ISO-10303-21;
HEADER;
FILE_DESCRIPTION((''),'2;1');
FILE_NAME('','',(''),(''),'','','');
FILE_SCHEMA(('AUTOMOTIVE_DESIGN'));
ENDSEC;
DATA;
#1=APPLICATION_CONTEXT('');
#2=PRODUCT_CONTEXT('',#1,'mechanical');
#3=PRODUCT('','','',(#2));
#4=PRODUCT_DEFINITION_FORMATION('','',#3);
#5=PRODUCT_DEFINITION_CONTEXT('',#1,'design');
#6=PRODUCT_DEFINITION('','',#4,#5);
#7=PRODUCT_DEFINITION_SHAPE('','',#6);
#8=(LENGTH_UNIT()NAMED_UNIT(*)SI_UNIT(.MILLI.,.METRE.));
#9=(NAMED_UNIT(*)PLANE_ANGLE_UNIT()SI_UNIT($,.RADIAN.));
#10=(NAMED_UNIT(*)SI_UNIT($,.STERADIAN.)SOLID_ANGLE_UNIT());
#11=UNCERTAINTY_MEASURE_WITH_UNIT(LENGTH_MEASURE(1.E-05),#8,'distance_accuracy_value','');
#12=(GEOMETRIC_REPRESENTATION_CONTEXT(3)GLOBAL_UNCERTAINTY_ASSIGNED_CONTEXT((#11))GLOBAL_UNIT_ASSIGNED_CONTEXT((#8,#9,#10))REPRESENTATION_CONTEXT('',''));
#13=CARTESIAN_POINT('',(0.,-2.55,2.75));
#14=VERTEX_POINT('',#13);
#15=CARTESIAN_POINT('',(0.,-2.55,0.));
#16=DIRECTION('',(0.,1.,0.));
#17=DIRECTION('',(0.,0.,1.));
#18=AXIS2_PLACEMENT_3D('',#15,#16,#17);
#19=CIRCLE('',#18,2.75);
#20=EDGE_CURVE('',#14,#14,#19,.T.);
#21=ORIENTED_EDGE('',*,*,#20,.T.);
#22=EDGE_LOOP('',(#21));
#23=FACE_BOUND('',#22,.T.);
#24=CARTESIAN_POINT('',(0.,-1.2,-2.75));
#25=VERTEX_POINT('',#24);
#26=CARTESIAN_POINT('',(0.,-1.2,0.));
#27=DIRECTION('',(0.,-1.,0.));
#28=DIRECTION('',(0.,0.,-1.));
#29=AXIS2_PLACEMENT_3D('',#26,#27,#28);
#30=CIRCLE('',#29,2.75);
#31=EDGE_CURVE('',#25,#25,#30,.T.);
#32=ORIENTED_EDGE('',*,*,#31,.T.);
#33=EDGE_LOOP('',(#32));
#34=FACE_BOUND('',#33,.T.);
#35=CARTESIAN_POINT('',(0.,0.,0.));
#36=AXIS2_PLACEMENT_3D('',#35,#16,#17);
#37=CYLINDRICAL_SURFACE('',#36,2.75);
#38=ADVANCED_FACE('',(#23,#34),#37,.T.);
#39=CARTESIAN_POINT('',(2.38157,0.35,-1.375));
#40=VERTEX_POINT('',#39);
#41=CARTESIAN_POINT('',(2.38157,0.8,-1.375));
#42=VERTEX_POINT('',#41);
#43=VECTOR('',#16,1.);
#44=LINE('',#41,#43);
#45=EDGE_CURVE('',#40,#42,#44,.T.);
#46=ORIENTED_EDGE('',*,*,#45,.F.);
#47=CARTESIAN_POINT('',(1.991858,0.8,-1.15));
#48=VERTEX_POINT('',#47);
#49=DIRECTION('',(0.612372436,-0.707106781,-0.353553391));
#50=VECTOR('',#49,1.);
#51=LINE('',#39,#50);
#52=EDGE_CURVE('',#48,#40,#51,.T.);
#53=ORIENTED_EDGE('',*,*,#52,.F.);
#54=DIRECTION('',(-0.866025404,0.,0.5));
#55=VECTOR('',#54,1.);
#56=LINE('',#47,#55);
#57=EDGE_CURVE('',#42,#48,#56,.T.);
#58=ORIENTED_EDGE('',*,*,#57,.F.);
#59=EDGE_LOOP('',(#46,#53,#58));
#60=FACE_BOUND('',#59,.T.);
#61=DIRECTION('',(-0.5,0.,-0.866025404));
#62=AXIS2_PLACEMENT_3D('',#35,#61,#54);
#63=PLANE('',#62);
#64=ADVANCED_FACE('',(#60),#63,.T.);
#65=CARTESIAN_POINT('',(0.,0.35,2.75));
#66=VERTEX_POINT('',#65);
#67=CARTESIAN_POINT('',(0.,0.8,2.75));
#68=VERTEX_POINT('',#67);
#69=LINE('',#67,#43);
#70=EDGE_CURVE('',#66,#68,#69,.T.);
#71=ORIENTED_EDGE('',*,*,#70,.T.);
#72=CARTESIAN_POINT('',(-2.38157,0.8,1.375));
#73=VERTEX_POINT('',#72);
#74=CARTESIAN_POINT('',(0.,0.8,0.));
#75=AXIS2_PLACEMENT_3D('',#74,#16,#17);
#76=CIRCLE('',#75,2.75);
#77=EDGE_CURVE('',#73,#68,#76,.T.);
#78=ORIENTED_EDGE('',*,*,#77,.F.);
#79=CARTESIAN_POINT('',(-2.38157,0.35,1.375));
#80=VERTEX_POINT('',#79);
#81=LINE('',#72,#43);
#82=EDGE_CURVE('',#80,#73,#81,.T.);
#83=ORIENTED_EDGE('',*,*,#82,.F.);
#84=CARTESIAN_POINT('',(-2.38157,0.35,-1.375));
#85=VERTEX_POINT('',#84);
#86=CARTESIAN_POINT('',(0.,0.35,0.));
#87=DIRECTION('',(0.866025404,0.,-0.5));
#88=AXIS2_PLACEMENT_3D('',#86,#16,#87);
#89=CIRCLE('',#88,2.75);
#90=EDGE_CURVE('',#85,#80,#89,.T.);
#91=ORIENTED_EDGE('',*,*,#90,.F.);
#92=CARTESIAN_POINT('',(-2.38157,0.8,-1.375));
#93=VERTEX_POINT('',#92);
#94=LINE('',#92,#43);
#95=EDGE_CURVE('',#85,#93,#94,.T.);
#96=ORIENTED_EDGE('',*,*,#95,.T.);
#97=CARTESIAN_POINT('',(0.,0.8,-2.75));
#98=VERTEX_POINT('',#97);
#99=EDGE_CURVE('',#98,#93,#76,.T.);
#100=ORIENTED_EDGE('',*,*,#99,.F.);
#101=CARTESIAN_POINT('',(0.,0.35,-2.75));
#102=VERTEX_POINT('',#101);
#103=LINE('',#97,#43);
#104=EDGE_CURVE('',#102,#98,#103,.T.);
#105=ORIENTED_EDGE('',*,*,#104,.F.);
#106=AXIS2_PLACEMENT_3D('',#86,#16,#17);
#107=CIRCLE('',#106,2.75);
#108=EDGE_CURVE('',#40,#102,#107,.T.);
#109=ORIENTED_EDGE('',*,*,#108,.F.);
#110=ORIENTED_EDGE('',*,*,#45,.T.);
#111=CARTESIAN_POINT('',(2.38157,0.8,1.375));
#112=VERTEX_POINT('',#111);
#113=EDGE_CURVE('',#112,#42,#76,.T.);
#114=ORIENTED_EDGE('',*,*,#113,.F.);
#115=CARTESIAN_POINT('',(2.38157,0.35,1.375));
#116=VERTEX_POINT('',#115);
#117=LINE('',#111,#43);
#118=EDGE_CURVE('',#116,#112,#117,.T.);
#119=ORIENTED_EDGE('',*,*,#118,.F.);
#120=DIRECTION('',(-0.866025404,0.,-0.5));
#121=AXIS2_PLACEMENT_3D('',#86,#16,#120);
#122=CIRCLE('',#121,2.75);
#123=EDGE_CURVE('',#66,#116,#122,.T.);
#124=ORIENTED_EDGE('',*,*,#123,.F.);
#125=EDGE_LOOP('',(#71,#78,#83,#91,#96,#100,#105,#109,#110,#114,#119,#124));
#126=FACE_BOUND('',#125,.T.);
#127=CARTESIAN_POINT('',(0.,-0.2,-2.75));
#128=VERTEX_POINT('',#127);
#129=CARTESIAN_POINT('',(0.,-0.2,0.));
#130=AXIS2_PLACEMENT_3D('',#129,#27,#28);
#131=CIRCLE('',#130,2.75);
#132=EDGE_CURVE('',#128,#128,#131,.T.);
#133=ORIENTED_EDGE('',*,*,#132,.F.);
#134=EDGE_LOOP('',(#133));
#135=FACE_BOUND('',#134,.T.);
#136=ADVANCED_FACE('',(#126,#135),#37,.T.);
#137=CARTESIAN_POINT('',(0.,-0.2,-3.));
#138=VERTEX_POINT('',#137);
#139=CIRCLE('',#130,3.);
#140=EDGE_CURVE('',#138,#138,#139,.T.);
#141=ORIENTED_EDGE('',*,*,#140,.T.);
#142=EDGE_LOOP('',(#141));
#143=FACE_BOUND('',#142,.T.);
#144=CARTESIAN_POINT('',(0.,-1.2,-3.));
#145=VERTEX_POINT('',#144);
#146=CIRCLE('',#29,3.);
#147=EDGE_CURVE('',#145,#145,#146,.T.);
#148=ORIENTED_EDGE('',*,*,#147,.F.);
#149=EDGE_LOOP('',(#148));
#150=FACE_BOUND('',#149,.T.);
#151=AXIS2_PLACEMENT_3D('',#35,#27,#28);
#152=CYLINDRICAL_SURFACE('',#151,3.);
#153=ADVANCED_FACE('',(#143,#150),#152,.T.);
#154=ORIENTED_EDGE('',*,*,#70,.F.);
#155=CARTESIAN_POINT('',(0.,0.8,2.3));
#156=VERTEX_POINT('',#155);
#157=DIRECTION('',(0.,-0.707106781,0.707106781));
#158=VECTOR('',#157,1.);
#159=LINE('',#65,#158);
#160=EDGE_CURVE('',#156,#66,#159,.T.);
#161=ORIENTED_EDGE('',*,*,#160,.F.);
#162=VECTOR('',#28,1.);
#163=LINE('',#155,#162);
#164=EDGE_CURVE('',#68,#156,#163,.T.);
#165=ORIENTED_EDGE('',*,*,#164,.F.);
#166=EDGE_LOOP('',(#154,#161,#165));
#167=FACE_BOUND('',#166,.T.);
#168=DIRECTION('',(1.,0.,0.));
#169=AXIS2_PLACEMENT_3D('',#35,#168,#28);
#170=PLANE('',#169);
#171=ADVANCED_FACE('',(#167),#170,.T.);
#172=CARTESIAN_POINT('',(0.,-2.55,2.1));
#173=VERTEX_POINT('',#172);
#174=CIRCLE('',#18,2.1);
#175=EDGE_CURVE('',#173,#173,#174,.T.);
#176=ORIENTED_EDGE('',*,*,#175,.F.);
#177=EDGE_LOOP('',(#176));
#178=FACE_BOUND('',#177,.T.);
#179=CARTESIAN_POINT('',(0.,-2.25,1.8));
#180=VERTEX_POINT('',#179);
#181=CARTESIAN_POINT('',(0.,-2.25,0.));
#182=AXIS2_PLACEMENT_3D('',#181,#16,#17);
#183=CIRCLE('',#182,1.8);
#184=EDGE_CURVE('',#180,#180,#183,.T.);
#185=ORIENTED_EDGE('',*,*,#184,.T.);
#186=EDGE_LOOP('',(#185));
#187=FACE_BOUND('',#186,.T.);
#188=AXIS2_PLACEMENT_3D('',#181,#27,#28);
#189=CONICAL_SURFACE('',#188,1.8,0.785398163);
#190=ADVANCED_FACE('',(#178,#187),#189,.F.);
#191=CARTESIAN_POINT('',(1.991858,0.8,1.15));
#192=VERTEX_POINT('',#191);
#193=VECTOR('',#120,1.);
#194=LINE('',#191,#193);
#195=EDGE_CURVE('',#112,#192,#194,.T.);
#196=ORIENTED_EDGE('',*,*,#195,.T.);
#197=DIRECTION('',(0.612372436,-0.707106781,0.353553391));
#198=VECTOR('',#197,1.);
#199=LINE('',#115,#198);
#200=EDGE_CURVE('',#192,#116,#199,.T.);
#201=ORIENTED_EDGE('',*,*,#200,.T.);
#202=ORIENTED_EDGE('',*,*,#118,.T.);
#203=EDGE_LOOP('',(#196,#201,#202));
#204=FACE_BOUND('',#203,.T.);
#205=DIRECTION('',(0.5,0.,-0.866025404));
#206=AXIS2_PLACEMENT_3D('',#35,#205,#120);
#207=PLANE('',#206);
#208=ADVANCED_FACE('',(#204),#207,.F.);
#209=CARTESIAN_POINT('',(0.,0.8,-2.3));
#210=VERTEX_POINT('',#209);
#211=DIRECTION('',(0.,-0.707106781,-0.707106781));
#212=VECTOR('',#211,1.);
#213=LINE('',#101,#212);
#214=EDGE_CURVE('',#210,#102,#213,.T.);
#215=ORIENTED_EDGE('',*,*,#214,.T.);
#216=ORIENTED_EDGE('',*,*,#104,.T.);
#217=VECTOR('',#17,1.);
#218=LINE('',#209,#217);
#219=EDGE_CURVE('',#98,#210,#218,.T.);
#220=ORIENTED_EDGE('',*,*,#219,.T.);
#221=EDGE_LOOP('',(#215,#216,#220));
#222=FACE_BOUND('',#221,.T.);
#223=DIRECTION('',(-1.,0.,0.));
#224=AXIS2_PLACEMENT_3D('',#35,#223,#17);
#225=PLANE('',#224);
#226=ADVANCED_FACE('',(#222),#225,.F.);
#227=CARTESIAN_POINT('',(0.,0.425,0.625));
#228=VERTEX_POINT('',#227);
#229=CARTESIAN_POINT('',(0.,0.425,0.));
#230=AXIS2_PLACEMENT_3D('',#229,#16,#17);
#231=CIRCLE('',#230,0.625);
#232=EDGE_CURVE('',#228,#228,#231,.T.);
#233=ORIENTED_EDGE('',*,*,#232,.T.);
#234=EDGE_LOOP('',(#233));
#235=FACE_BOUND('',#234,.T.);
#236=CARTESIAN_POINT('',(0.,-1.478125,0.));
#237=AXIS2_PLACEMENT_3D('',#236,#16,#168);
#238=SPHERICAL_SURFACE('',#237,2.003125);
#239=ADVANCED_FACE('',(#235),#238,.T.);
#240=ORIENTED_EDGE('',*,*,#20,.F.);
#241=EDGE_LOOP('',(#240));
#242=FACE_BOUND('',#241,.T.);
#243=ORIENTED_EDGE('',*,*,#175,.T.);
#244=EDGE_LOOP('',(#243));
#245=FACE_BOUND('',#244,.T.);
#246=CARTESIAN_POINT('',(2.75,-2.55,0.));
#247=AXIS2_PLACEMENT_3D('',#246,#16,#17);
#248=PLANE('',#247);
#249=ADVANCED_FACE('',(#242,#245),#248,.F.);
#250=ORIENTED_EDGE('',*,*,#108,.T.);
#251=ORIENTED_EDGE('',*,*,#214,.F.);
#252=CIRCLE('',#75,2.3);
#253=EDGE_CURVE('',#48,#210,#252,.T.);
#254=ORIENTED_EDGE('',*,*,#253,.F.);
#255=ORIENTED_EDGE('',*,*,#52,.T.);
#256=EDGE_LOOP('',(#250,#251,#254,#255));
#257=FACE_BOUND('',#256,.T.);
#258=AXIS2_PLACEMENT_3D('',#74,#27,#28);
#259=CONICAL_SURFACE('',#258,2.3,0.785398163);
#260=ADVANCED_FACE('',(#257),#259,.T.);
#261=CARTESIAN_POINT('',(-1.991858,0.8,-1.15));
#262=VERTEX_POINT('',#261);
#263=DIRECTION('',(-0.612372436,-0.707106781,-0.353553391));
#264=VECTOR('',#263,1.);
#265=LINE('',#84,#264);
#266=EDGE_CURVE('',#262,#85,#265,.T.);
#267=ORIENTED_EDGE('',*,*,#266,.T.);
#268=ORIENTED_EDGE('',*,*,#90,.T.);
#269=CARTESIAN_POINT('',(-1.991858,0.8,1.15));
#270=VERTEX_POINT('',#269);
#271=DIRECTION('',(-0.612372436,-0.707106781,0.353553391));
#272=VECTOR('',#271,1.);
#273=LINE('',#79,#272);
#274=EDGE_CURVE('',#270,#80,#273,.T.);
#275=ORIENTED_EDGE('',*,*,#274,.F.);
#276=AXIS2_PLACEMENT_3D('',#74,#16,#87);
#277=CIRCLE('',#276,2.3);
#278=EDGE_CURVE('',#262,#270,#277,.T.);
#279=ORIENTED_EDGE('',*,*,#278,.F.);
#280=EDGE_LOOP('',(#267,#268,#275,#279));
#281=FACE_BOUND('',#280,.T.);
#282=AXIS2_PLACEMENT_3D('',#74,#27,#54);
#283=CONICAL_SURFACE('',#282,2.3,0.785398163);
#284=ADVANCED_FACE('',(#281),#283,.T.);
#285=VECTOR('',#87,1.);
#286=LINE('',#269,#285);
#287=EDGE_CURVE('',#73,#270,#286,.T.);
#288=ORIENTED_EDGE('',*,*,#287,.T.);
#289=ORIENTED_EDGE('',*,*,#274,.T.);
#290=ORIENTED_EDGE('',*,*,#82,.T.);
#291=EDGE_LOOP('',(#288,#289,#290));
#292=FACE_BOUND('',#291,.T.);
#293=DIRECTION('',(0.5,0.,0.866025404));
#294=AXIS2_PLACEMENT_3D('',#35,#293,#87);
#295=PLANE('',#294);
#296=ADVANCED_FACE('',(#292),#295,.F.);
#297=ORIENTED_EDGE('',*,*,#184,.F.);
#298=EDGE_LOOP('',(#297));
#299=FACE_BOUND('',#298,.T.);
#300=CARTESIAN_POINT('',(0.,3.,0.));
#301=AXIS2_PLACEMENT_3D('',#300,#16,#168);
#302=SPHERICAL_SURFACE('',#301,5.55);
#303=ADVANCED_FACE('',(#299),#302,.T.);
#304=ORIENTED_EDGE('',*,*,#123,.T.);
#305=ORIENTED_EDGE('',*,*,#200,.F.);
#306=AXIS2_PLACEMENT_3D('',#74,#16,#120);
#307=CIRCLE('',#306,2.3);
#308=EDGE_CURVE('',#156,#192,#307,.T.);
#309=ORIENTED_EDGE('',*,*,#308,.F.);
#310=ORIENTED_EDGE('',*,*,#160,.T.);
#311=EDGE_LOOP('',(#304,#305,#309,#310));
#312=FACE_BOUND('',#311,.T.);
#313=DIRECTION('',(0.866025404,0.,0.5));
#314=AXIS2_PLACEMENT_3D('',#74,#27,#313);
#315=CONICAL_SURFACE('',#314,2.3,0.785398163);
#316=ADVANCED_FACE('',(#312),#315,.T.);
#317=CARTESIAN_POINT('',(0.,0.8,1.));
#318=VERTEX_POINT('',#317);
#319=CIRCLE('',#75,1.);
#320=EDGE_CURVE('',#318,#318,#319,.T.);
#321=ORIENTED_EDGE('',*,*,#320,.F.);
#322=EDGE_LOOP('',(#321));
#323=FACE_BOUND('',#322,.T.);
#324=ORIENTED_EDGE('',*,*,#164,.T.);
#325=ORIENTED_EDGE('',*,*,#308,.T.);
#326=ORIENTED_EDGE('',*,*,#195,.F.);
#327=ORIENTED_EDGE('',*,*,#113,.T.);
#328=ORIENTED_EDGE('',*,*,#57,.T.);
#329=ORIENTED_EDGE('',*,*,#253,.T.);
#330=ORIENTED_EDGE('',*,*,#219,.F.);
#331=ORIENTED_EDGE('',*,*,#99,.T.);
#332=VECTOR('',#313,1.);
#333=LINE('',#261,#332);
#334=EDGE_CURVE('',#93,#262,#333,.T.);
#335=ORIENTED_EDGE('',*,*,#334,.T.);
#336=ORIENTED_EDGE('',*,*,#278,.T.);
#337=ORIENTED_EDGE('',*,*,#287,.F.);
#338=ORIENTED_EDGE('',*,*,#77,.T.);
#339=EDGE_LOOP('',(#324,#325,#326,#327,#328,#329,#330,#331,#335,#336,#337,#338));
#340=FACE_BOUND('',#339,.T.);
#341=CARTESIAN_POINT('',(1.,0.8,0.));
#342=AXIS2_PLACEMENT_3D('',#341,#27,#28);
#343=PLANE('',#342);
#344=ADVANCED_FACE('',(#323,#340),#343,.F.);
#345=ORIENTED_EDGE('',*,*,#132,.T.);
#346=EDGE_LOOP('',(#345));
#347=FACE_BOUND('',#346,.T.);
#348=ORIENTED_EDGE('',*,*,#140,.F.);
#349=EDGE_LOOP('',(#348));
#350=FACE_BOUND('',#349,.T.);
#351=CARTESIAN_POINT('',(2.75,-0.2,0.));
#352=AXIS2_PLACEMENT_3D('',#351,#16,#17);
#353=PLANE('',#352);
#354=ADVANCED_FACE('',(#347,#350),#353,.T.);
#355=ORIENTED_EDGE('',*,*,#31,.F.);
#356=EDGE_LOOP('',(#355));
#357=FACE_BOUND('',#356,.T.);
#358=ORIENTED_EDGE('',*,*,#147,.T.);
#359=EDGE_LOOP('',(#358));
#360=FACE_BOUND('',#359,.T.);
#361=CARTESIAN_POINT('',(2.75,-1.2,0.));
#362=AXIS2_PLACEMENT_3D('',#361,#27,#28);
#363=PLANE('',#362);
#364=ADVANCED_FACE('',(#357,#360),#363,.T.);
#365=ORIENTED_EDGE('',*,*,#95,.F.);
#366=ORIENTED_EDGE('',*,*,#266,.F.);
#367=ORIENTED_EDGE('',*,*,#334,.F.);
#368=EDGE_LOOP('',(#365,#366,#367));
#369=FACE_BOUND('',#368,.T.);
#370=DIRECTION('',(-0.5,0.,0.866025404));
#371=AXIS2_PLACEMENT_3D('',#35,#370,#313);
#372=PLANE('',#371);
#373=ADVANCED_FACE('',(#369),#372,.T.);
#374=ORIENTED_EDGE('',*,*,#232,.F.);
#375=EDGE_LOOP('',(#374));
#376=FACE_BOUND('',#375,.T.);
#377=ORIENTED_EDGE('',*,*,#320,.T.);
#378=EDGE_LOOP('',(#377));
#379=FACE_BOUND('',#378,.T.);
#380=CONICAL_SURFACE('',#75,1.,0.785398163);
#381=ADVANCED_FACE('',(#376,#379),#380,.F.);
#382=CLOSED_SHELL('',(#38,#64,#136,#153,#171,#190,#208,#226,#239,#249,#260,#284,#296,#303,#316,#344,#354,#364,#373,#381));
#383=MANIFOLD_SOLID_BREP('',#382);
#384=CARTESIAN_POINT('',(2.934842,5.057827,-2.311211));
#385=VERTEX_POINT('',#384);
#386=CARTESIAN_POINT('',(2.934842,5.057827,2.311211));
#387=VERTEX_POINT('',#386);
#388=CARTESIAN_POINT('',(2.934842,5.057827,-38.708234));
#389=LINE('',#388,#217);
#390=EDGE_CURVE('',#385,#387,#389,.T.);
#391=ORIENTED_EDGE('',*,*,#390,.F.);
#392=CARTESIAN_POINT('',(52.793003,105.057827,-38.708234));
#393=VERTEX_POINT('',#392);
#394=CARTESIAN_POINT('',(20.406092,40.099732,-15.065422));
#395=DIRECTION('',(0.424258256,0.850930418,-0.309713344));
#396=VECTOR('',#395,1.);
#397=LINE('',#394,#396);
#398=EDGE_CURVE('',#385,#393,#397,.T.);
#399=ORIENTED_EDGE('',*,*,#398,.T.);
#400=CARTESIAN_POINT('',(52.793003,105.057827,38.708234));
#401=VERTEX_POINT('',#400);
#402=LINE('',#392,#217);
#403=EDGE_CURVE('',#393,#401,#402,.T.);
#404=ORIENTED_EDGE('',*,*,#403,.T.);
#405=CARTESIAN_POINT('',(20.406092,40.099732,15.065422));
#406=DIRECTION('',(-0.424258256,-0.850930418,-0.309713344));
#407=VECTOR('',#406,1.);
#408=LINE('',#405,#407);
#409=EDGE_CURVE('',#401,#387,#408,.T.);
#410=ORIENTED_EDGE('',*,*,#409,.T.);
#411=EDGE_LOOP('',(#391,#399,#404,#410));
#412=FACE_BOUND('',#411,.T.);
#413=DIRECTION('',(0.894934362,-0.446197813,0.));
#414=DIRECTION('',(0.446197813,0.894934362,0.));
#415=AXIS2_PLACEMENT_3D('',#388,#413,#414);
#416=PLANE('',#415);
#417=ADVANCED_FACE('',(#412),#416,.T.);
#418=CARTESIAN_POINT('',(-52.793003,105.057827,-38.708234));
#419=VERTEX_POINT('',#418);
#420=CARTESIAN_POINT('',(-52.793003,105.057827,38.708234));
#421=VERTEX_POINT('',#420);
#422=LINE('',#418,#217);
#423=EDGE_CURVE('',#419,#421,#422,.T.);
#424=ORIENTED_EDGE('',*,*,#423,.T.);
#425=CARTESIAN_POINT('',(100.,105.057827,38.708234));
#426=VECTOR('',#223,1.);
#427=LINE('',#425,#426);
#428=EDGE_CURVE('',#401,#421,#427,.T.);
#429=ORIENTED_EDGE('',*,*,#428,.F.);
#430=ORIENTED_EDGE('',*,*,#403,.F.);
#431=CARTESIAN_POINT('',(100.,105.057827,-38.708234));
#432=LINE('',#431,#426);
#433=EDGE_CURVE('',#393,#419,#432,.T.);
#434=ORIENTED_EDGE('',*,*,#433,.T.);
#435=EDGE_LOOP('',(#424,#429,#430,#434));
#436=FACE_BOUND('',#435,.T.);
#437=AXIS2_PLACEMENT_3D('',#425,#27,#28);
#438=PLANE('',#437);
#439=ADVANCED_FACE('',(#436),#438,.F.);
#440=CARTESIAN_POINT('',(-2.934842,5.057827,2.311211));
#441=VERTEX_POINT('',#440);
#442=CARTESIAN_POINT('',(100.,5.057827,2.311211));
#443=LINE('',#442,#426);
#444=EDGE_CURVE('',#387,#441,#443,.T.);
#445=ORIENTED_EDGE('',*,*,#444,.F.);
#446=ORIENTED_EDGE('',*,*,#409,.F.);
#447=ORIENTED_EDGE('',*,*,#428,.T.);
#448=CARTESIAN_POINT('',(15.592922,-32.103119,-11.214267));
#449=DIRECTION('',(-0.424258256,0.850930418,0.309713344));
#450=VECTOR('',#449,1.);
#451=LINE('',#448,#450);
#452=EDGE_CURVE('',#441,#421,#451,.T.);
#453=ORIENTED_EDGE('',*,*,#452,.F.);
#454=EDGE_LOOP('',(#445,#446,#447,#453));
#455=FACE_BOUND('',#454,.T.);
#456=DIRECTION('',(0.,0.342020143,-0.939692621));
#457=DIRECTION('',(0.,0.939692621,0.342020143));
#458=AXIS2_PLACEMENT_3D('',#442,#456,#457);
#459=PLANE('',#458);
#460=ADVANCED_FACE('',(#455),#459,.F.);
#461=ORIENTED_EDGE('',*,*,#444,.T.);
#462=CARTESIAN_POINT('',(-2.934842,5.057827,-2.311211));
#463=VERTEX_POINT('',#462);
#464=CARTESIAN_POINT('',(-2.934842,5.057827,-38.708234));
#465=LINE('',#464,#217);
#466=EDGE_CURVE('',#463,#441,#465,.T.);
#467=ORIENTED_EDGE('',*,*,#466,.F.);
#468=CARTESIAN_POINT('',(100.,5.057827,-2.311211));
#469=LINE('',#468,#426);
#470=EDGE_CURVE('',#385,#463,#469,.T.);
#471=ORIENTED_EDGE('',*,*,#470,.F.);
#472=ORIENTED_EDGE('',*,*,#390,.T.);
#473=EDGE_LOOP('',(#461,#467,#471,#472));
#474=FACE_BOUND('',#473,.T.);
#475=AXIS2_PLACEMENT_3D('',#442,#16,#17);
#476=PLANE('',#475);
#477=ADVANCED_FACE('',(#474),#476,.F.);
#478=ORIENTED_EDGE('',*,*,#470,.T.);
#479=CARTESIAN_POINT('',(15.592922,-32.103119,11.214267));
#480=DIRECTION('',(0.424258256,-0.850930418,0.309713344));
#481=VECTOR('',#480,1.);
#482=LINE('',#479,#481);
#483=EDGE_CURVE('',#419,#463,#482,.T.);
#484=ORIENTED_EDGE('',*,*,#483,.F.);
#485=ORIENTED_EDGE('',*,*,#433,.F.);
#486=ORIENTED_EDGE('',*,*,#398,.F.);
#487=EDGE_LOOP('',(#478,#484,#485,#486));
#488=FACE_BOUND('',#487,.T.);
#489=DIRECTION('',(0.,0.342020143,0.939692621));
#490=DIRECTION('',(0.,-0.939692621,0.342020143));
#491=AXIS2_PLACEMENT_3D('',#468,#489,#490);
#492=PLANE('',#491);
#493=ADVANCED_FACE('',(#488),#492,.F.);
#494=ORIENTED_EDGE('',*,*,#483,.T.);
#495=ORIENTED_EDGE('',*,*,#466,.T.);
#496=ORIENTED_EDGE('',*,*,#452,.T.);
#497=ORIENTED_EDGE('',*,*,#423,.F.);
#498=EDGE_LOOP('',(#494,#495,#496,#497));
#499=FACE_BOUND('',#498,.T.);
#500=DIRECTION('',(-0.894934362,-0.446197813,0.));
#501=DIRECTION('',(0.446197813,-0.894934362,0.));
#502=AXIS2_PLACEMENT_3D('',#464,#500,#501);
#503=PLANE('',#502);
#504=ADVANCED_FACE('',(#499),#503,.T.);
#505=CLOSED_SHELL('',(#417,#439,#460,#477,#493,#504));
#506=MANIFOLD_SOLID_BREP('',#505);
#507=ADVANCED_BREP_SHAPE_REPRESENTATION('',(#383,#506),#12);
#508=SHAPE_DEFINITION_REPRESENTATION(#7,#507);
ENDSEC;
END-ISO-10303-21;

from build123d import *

# Parameters (mm, degrees)
SKIZZE4_W             = 0.25
SKIZZE4_H             = 1
TOOLFACE_ANGLE        = 60
KREISMUSTER1_COUNT    = 3
FOV_3_6MM_F_2_9_DEPTH = 100
SKIZZE8_OUTSIDE_W     = 249.988
SKIZZE8_OUTSIDE_H     = 157.596
SKIZZE8_OUTSIDE_R     = 5
FOV2_DEPTH            = 39.708234414
FOV2_DEPTH_BACK       = 39.708234414


with BuildPart() as part:
    # Skizze3 → Body (revolve)
    with BuildSketch(Plane.XY):
        with BuildLine():
            Line((1, 0.8), (2.75, 0.8))
            Line((2.75, 0.8), (2.75, -2.55))
            Line((2.75, -2.55), (2.1, -2.55))
            Line((2.1, -2.55), (1.8, -2.25))
            ThreePointArc((1.8, -2.25), (0.91241438, -2.474486277), (0, -2.55))
            Line((0, -2.55), (0, 0.525))
            ThreePointArc((0, 0.525), (0.316474723, 0.499842016), (0.625, 0.425))
            Line((0.625, 0.425), (1, 0.8))
        make_face()
    revolve(axis=Axis((0, 0, 0), (0, -1, 0)))

    # Skizze4 → Thread (revolve)
    with BuildSketch(Plane.XY):
        with Locations((2.875, -0.7)):
            Rectangle(SKIZZE4_W, SKIZZE4_H)
    revolve(axis=Axis((0, 0, 0), (0, 1, 0)))

    # Skizze5 → Toolface (revolve, cut)
    with BuildSketch(Plane(origin=(0, 0, 0), x_dir=(0, 0, -1), z_dir=(1, 0, 0))):
        Polygon((2.75, 0.8), (2.75, 0.35), (2.3, 0.8), align=None)
    toolface = revolve(axis=Axis((0, 0, 0), (0, -1, 0)), revolution_arc=TOOLFACE_ANGLE, mode=Mode.SUBTRACT)

    # Kreismuster1: Toolface ×3 about axis
    kreismuster1_axis = Axis((0, 0, 0), (0, 1, 0))
    for i in range(1, KREISMUSTER1_COUNT):
        add(toolface.rotate(kreismuster1_axis, i * 360 / KREISMUSTER1_COUNT), mode=Mode.SUBTRACT)


with BuildPart() as body_2:
    # Skizze6 → FOV - 3,6mm f/2,9 (new body, symmetric)
    with BuildSketch(Plane(origin=(0, 0, 0), x_dir=(0, 0, -1), z_dir=(1, 0, 0))):
        Polygon((-2.311210988, 5.057826613), (-38.708234414, 105.057826613), (38.708234414, 105.057826613), (2.311210988, 5.057826613), align=None)
    extrude(amount=FOV_3_6MM_F_2_9_DEPTH, both=True)

    # Skizze8 outside → FOV2 (cut, two sides)
    with BuildSketch(Plane.XY) as fov2_sk:
        with Locations((0, 51.254)):
            Rectangle(SKIZZE8_OUTSIDE_W, SKIZZE8_OUTSIDE_H)
        Circle(SKIZZE8_OUTSIDE_R, mode=Mode.SUBTRACT)
        Polygon((-2.934842142, 5.057826613), (-52.793002948, 105.057826613), (52.793002948, 105.057826613), (2.934842142, 5.057826613), align=None, mode=Mode.SUBTRACT)
    extrude(amount=FOV2_DEPTH, mode=Mode.SUBTRACT)
    extrude(fov2_sk.sketch, amount=-FOV2_DEPTH_BACK, mode=Mode.SUBTRACT)


solid = Compound([part.part, body_2.part])
